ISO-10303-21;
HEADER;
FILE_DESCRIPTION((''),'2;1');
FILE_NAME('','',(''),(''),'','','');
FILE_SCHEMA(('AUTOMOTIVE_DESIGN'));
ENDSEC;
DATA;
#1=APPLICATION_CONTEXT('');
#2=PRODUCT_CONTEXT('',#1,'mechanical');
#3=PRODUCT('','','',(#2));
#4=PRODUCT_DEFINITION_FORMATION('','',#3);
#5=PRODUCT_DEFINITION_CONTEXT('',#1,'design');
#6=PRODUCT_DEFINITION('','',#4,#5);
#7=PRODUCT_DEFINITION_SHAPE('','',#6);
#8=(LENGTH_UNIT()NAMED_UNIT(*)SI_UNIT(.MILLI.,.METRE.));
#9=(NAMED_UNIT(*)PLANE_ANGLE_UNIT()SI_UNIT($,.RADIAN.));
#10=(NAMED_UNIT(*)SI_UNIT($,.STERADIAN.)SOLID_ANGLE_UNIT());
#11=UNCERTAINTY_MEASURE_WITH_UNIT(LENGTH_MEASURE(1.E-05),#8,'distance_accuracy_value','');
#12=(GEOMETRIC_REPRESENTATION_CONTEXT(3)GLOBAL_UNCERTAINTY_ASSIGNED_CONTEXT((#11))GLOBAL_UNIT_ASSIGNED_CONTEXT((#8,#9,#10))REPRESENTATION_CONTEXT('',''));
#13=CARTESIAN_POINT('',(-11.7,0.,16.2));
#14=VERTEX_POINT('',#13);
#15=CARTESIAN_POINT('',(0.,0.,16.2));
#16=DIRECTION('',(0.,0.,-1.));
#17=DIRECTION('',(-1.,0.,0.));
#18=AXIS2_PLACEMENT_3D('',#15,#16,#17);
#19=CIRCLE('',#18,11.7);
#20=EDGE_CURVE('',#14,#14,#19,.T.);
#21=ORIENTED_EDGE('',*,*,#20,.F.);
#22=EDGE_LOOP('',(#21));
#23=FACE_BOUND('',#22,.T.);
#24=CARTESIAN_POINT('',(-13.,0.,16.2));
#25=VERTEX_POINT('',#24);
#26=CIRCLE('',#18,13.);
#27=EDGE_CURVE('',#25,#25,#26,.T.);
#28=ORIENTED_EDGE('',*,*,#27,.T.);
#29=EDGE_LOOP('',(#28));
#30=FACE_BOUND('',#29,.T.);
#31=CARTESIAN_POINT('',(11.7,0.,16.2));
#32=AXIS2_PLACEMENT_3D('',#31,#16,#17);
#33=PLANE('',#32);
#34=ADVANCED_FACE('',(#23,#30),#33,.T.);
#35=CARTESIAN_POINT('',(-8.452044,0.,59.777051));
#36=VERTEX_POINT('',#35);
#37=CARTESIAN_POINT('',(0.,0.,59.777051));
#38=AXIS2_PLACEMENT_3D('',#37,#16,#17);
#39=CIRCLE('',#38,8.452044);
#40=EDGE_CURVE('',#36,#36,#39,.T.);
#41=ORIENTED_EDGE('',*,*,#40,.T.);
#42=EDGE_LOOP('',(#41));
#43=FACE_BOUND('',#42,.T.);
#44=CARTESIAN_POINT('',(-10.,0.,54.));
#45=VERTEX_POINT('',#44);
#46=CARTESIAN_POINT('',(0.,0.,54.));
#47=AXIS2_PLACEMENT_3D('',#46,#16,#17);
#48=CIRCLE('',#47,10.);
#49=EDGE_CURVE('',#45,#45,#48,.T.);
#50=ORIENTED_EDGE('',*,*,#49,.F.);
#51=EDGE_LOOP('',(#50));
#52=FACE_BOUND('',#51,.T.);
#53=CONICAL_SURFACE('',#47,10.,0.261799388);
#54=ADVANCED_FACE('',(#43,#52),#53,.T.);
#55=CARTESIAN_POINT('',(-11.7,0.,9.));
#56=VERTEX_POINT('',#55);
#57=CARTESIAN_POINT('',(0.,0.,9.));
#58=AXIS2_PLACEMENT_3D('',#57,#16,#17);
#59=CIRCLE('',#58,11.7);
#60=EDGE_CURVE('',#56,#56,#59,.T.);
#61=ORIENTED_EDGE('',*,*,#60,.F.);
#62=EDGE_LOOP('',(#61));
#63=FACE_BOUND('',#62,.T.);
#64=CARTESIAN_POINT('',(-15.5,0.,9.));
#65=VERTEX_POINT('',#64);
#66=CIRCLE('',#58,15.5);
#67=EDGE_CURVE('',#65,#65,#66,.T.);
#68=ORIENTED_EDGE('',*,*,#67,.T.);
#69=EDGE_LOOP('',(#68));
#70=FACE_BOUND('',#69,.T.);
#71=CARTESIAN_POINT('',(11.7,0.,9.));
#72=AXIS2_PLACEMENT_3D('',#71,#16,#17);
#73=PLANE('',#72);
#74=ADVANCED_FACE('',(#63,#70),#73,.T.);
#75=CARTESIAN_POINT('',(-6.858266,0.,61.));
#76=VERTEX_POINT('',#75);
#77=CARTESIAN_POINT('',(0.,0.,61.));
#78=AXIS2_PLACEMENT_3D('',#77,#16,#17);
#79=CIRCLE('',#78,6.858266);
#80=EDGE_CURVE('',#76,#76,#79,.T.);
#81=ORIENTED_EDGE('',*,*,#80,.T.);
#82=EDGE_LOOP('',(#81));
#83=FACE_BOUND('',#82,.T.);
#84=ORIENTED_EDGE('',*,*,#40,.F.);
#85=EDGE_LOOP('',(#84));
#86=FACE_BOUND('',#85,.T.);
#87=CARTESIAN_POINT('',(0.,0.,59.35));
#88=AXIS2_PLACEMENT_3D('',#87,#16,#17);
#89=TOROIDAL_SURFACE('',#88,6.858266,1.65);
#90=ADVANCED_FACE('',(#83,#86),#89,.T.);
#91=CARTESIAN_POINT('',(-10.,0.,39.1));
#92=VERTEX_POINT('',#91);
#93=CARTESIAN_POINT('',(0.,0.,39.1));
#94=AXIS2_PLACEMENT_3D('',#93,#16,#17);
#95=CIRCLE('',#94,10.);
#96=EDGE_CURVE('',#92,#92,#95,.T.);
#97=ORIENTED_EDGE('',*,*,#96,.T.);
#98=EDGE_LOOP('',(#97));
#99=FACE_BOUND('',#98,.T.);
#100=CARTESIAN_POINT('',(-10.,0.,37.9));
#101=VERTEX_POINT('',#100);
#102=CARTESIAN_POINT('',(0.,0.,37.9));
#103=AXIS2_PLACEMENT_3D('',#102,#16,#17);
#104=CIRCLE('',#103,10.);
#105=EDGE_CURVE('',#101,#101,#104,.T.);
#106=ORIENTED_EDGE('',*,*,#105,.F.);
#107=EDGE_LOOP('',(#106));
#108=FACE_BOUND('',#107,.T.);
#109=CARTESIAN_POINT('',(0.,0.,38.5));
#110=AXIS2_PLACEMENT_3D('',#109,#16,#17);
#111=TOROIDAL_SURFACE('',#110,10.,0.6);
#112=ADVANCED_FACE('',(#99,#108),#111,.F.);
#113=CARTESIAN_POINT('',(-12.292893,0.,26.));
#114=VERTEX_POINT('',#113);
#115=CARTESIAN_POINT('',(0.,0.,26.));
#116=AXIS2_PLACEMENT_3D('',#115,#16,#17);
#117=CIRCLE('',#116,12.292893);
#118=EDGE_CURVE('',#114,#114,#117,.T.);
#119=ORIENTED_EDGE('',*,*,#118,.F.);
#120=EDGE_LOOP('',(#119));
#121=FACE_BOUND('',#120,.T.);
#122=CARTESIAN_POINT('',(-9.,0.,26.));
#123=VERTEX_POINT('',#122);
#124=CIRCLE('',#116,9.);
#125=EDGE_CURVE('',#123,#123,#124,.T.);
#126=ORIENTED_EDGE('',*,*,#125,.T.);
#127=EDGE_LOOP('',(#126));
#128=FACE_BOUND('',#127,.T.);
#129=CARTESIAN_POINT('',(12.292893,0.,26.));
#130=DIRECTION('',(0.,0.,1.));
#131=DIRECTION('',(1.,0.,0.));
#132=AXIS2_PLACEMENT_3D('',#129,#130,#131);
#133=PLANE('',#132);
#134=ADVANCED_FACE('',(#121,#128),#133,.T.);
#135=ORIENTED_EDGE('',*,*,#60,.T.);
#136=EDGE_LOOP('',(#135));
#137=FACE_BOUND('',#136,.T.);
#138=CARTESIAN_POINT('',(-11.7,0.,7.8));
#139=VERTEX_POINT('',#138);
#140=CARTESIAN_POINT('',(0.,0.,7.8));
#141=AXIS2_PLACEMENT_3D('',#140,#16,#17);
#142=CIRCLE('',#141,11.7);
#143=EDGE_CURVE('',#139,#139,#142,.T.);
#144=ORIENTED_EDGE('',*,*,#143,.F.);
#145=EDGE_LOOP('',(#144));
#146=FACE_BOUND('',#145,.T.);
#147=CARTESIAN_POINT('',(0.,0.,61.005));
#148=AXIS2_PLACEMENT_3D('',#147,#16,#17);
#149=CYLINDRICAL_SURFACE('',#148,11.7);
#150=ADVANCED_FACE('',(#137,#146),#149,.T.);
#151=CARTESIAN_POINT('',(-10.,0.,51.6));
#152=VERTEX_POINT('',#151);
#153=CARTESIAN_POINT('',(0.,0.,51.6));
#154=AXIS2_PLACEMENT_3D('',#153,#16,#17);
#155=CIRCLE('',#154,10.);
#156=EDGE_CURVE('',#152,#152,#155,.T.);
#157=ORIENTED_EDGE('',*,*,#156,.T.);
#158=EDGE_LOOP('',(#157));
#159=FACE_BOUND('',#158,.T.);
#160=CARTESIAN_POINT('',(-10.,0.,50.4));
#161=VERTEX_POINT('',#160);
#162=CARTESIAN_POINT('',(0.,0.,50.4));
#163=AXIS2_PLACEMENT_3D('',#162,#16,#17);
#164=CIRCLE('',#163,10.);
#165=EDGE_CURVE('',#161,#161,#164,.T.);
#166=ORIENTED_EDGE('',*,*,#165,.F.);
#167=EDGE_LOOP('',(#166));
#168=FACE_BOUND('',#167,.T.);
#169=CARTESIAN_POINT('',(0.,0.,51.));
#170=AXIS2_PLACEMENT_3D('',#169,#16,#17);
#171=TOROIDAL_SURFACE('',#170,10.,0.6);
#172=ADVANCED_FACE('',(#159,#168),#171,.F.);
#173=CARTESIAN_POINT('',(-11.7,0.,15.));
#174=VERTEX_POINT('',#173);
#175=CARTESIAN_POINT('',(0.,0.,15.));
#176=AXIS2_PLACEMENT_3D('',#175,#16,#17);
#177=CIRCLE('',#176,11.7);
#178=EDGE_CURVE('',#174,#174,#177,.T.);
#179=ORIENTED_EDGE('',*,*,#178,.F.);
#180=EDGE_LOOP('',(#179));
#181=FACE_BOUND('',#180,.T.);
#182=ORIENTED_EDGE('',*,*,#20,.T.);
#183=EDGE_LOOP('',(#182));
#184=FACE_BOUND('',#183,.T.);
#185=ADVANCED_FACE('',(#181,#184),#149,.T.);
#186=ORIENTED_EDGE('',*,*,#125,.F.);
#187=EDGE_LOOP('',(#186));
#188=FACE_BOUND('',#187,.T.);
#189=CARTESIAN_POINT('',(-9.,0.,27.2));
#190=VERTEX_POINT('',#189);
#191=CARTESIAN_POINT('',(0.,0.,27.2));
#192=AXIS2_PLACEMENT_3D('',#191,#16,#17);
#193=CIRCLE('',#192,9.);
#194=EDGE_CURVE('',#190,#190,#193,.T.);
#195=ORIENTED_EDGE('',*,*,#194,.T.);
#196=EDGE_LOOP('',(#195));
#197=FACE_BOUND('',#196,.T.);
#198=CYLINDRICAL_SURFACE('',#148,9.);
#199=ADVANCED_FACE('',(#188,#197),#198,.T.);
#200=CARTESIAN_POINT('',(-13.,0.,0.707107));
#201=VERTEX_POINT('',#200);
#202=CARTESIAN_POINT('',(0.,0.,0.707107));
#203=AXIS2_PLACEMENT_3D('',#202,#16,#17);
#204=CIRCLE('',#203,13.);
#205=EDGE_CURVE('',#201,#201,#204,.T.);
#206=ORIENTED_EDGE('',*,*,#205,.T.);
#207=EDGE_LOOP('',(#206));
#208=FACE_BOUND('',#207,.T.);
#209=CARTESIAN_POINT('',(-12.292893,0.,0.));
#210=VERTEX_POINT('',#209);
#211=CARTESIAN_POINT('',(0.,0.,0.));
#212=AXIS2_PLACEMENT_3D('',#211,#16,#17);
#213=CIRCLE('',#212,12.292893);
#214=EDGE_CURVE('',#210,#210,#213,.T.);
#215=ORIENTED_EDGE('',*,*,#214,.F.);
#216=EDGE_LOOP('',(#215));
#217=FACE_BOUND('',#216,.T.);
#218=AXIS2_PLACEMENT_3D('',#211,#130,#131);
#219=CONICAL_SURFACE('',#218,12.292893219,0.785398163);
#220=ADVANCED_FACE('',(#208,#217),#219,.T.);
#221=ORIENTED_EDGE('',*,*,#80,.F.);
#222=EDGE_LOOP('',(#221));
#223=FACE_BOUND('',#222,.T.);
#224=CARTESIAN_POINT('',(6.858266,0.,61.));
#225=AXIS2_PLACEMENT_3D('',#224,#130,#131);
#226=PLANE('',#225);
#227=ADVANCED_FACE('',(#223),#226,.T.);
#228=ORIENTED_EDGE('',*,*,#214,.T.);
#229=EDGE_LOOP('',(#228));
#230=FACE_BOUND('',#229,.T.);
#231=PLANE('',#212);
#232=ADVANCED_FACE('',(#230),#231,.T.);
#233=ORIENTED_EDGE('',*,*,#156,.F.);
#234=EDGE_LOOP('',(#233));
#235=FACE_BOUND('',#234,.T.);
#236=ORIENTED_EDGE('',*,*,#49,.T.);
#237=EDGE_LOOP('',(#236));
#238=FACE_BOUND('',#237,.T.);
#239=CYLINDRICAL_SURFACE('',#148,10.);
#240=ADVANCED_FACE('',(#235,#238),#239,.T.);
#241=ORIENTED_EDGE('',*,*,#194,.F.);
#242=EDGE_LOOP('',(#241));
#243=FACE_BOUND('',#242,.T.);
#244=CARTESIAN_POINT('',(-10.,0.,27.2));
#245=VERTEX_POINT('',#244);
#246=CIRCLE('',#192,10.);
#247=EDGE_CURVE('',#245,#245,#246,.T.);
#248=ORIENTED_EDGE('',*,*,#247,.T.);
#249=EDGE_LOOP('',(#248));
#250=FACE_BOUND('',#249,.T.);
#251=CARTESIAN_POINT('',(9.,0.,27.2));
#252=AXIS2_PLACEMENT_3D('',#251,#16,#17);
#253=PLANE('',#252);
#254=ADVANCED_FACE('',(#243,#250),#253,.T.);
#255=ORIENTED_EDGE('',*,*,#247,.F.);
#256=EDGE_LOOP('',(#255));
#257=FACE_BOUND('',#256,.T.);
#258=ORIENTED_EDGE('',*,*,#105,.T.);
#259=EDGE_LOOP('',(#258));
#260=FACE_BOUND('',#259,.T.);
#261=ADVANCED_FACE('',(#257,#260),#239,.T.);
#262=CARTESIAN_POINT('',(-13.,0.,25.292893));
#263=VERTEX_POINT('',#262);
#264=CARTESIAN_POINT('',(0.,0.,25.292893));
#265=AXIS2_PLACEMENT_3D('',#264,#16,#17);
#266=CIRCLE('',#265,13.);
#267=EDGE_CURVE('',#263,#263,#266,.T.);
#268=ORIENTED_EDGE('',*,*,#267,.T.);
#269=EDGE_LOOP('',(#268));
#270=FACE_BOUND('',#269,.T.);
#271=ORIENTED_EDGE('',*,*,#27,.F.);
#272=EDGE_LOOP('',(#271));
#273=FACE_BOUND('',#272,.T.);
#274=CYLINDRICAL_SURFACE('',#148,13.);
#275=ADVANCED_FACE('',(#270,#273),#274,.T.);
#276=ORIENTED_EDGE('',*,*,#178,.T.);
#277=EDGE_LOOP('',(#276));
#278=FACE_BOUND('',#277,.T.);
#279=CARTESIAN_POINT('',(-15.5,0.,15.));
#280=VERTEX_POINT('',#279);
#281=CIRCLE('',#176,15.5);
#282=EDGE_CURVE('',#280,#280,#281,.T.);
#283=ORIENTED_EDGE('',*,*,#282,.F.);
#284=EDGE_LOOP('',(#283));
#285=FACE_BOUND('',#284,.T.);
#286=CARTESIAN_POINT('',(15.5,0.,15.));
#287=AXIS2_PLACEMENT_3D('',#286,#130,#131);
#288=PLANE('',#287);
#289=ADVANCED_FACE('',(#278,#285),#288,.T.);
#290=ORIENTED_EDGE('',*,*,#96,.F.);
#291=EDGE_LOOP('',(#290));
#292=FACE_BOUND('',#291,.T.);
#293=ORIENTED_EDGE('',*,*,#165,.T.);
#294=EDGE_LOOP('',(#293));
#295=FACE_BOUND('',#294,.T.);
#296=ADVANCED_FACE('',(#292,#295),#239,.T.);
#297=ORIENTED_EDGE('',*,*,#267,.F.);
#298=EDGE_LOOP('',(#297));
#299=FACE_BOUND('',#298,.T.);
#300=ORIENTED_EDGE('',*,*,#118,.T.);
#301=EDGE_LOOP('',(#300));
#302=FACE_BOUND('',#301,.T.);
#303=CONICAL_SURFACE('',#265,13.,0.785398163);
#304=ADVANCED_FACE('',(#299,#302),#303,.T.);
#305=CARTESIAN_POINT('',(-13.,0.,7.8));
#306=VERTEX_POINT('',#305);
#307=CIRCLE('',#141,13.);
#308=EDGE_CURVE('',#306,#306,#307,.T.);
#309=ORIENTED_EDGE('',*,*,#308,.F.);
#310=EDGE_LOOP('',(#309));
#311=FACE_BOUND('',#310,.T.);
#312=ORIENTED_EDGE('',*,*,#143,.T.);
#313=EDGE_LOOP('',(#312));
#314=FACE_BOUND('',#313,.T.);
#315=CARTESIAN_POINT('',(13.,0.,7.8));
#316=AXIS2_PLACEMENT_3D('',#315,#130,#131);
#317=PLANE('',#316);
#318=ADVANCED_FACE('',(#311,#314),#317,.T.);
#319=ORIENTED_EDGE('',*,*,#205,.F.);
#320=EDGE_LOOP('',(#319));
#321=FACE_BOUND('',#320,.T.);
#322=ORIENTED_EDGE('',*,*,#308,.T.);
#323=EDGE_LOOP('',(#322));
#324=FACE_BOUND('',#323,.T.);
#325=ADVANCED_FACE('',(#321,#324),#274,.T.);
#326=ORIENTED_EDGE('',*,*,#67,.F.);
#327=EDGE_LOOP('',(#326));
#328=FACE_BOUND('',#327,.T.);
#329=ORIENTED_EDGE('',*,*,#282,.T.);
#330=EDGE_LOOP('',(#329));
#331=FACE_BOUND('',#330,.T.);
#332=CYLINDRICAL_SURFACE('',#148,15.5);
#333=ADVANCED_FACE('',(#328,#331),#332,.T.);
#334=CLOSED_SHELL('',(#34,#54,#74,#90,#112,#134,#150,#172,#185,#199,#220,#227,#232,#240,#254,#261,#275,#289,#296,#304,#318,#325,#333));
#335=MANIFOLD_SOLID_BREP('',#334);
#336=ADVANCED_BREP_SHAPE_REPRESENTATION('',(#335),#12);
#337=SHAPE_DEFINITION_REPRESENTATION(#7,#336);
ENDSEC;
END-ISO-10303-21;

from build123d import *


with BuildPart() as part:
    # Эскиз1 → Повернуть1 (revolve)
    with BuildSketch(Plane.XZ, mode=Mode.PRIVATE) as revolve_1_sk:
        with BuildLine():
            Line((6.858266123, 61), (0, 61))
            Line((0, 61), (0, 0))
            Line((0, 0), (12.292893219, 0))
            Line((12.292893219, 0), (13, 0.707106781))
            Line((13, 0.707106781), (13, 7.8))
            Line((13, 7.8), (11.7, 7.8))
            Line((11.7, 7.8), (11.7, 9))
            Line((11.7, 9), (15.5, 9))
            Line((15.5, 9), (15.5, 15))
            Line((15.5, 15), (11.7, 15))
            Line((11.7, 15), (11.7, 16.2))
            Line((11.7, 16.2), (13, 16.2))
            Line((13, 16.2), (13, 25.292893219))
            Line((13, 25.292893219), (12.292893219, 26))
            Line((12.292893219, 26), (9, 26))
            Line((9, 26), (9, 27.2))
            Line((9, 27.2), (10, 27.2))
            Line((10, 27.2), (10, 37.8999999))
            ThreePointArc((10, 37.8999999), (9.4, 38.4999999), (10, 39.0999999))
            Line((10, 39.0999999), (10, 50.4))
            ThreePointArc((10, 50.4), (9.4, 51), (10, 51.6))
            Line((10, 51.6), (10, 54))
            Line((10, 54), (8.452043736, 59.777051424))
            ThreePointArc((8.452043736, 59.777051424), (7.862722481, 60.659033011), (6.858266123, 61))
        make_face()
    revolve(revolve_1_sk.sketch.rotate(Axis((0, 0, 61.005), (0, 0, -1)), 180), axis=Axis((0, 0, 61.005), (0, 0, -1)))


solid = part.part
